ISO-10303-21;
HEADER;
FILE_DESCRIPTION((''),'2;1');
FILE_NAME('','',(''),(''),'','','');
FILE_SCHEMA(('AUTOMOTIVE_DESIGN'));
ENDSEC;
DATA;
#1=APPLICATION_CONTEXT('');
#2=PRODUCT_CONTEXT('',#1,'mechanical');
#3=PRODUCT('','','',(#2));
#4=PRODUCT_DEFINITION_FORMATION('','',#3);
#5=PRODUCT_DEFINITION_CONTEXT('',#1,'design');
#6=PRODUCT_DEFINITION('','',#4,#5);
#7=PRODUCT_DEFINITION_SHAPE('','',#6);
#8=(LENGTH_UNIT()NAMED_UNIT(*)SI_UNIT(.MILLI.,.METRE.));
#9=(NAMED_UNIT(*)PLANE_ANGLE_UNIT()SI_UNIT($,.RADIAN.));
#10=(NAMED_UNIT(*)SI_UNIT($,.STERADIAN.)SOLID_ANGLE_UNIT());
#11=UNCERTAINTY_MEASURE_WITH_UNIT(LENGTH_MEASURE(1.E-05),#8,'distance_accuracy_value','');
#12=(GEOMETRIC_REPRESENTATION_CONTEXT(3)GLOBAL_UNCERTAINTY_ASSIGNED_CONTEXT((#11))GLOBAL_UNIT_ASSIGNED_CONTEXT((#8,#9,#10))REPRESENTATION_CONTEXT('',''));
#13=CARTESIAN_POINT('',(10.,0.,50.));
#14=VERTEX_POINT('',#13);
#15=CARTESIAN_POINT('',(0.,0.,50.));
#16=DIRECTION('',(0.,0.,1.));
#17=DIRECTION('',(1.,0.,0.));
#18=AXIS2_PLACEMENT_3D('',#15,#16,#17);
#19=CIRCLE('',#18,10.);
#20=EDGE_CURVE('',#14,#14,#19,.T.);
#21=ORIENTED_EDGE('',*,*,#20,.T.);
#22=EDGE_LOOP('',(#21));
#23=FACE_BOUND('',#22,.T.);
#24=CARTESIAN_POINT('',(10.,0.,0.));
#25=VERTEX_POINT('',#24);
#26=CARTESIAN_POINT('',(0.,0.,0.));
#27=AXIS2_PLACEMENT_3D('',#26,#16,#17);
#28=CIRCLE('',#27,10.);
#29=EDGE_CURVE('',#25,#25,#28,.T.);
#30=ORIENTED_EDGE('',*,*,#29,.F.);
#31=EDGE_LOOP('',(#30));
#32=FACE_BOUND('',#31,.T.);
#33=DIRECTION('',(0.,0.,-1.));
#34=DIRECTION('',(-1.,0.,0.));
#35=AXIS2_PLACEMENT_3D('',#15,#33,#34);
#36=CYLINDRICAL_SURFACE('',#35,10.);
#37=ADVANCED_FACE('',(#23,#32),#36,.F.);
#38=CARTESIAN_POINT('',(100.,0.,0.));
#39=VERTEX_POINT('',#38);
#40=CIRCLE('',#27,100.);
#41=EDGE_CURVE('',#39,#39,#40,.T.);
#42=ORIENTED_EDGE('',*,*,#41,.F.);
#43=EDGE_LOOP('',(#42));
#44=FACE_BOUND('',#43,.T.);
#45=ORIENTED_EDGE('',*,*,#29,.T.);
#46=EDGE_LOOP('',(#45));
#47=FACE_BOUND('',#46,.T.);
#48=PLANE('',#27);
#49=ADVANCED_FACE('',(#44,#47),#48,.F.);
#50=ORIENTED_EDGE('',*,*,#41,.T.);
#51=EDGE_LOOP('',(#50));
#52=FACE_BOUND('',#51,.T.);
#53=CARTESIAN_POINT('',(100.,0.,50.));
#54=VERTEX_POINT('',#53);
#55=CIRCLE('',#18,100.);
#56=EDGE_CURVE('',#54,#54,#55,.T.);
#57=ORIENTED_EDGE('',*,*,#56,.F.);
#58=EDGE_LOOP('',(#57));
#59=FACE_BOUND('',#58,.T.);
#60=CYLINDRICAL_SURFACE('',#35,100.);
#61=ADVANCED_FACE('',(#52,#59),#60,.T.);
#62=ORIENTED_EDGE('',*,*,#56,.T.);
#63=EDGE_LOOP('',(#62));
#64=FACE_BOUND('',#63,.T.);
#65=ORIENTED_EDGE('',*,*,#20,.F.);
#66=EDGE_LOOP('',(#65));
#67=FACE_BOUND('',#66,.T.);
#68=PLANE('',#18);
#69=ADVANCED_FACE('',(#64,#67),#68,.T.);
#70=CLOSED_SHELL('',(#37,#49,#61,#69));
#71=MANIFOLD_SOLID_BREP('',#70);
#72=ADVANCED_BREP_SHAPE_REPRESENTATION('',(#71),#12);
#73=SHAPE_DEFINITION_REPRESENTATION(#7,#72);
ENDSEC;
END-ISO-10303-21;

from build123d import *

# Parameters (mm, degrees)
SKETCH1_R           = 100
BOSS_EXTRUDE1_DEPTH = 50
SKETCH2_R           = 10
CUT_EXTRUDE1_DEPTH  = 50


with BuildPart() as part:
    # Sketch1 → Boss-Extrude1 (new body)
    with BuildSketch(Plane.XY):
        Circle(SKETCH1_R)
    extrude(amount=BOSS_EXTRUDE1_DEPTH)

    # Sketch2 → Cut-Extrude1 (cut)
    with BuildSketch(Plane.XY):
        Circle(SKETCH2_R)
    extrude(amount=CUT_EXTRUDE1_DEPTH, mode=Mode.SUBTRACT)


solid = part.part
